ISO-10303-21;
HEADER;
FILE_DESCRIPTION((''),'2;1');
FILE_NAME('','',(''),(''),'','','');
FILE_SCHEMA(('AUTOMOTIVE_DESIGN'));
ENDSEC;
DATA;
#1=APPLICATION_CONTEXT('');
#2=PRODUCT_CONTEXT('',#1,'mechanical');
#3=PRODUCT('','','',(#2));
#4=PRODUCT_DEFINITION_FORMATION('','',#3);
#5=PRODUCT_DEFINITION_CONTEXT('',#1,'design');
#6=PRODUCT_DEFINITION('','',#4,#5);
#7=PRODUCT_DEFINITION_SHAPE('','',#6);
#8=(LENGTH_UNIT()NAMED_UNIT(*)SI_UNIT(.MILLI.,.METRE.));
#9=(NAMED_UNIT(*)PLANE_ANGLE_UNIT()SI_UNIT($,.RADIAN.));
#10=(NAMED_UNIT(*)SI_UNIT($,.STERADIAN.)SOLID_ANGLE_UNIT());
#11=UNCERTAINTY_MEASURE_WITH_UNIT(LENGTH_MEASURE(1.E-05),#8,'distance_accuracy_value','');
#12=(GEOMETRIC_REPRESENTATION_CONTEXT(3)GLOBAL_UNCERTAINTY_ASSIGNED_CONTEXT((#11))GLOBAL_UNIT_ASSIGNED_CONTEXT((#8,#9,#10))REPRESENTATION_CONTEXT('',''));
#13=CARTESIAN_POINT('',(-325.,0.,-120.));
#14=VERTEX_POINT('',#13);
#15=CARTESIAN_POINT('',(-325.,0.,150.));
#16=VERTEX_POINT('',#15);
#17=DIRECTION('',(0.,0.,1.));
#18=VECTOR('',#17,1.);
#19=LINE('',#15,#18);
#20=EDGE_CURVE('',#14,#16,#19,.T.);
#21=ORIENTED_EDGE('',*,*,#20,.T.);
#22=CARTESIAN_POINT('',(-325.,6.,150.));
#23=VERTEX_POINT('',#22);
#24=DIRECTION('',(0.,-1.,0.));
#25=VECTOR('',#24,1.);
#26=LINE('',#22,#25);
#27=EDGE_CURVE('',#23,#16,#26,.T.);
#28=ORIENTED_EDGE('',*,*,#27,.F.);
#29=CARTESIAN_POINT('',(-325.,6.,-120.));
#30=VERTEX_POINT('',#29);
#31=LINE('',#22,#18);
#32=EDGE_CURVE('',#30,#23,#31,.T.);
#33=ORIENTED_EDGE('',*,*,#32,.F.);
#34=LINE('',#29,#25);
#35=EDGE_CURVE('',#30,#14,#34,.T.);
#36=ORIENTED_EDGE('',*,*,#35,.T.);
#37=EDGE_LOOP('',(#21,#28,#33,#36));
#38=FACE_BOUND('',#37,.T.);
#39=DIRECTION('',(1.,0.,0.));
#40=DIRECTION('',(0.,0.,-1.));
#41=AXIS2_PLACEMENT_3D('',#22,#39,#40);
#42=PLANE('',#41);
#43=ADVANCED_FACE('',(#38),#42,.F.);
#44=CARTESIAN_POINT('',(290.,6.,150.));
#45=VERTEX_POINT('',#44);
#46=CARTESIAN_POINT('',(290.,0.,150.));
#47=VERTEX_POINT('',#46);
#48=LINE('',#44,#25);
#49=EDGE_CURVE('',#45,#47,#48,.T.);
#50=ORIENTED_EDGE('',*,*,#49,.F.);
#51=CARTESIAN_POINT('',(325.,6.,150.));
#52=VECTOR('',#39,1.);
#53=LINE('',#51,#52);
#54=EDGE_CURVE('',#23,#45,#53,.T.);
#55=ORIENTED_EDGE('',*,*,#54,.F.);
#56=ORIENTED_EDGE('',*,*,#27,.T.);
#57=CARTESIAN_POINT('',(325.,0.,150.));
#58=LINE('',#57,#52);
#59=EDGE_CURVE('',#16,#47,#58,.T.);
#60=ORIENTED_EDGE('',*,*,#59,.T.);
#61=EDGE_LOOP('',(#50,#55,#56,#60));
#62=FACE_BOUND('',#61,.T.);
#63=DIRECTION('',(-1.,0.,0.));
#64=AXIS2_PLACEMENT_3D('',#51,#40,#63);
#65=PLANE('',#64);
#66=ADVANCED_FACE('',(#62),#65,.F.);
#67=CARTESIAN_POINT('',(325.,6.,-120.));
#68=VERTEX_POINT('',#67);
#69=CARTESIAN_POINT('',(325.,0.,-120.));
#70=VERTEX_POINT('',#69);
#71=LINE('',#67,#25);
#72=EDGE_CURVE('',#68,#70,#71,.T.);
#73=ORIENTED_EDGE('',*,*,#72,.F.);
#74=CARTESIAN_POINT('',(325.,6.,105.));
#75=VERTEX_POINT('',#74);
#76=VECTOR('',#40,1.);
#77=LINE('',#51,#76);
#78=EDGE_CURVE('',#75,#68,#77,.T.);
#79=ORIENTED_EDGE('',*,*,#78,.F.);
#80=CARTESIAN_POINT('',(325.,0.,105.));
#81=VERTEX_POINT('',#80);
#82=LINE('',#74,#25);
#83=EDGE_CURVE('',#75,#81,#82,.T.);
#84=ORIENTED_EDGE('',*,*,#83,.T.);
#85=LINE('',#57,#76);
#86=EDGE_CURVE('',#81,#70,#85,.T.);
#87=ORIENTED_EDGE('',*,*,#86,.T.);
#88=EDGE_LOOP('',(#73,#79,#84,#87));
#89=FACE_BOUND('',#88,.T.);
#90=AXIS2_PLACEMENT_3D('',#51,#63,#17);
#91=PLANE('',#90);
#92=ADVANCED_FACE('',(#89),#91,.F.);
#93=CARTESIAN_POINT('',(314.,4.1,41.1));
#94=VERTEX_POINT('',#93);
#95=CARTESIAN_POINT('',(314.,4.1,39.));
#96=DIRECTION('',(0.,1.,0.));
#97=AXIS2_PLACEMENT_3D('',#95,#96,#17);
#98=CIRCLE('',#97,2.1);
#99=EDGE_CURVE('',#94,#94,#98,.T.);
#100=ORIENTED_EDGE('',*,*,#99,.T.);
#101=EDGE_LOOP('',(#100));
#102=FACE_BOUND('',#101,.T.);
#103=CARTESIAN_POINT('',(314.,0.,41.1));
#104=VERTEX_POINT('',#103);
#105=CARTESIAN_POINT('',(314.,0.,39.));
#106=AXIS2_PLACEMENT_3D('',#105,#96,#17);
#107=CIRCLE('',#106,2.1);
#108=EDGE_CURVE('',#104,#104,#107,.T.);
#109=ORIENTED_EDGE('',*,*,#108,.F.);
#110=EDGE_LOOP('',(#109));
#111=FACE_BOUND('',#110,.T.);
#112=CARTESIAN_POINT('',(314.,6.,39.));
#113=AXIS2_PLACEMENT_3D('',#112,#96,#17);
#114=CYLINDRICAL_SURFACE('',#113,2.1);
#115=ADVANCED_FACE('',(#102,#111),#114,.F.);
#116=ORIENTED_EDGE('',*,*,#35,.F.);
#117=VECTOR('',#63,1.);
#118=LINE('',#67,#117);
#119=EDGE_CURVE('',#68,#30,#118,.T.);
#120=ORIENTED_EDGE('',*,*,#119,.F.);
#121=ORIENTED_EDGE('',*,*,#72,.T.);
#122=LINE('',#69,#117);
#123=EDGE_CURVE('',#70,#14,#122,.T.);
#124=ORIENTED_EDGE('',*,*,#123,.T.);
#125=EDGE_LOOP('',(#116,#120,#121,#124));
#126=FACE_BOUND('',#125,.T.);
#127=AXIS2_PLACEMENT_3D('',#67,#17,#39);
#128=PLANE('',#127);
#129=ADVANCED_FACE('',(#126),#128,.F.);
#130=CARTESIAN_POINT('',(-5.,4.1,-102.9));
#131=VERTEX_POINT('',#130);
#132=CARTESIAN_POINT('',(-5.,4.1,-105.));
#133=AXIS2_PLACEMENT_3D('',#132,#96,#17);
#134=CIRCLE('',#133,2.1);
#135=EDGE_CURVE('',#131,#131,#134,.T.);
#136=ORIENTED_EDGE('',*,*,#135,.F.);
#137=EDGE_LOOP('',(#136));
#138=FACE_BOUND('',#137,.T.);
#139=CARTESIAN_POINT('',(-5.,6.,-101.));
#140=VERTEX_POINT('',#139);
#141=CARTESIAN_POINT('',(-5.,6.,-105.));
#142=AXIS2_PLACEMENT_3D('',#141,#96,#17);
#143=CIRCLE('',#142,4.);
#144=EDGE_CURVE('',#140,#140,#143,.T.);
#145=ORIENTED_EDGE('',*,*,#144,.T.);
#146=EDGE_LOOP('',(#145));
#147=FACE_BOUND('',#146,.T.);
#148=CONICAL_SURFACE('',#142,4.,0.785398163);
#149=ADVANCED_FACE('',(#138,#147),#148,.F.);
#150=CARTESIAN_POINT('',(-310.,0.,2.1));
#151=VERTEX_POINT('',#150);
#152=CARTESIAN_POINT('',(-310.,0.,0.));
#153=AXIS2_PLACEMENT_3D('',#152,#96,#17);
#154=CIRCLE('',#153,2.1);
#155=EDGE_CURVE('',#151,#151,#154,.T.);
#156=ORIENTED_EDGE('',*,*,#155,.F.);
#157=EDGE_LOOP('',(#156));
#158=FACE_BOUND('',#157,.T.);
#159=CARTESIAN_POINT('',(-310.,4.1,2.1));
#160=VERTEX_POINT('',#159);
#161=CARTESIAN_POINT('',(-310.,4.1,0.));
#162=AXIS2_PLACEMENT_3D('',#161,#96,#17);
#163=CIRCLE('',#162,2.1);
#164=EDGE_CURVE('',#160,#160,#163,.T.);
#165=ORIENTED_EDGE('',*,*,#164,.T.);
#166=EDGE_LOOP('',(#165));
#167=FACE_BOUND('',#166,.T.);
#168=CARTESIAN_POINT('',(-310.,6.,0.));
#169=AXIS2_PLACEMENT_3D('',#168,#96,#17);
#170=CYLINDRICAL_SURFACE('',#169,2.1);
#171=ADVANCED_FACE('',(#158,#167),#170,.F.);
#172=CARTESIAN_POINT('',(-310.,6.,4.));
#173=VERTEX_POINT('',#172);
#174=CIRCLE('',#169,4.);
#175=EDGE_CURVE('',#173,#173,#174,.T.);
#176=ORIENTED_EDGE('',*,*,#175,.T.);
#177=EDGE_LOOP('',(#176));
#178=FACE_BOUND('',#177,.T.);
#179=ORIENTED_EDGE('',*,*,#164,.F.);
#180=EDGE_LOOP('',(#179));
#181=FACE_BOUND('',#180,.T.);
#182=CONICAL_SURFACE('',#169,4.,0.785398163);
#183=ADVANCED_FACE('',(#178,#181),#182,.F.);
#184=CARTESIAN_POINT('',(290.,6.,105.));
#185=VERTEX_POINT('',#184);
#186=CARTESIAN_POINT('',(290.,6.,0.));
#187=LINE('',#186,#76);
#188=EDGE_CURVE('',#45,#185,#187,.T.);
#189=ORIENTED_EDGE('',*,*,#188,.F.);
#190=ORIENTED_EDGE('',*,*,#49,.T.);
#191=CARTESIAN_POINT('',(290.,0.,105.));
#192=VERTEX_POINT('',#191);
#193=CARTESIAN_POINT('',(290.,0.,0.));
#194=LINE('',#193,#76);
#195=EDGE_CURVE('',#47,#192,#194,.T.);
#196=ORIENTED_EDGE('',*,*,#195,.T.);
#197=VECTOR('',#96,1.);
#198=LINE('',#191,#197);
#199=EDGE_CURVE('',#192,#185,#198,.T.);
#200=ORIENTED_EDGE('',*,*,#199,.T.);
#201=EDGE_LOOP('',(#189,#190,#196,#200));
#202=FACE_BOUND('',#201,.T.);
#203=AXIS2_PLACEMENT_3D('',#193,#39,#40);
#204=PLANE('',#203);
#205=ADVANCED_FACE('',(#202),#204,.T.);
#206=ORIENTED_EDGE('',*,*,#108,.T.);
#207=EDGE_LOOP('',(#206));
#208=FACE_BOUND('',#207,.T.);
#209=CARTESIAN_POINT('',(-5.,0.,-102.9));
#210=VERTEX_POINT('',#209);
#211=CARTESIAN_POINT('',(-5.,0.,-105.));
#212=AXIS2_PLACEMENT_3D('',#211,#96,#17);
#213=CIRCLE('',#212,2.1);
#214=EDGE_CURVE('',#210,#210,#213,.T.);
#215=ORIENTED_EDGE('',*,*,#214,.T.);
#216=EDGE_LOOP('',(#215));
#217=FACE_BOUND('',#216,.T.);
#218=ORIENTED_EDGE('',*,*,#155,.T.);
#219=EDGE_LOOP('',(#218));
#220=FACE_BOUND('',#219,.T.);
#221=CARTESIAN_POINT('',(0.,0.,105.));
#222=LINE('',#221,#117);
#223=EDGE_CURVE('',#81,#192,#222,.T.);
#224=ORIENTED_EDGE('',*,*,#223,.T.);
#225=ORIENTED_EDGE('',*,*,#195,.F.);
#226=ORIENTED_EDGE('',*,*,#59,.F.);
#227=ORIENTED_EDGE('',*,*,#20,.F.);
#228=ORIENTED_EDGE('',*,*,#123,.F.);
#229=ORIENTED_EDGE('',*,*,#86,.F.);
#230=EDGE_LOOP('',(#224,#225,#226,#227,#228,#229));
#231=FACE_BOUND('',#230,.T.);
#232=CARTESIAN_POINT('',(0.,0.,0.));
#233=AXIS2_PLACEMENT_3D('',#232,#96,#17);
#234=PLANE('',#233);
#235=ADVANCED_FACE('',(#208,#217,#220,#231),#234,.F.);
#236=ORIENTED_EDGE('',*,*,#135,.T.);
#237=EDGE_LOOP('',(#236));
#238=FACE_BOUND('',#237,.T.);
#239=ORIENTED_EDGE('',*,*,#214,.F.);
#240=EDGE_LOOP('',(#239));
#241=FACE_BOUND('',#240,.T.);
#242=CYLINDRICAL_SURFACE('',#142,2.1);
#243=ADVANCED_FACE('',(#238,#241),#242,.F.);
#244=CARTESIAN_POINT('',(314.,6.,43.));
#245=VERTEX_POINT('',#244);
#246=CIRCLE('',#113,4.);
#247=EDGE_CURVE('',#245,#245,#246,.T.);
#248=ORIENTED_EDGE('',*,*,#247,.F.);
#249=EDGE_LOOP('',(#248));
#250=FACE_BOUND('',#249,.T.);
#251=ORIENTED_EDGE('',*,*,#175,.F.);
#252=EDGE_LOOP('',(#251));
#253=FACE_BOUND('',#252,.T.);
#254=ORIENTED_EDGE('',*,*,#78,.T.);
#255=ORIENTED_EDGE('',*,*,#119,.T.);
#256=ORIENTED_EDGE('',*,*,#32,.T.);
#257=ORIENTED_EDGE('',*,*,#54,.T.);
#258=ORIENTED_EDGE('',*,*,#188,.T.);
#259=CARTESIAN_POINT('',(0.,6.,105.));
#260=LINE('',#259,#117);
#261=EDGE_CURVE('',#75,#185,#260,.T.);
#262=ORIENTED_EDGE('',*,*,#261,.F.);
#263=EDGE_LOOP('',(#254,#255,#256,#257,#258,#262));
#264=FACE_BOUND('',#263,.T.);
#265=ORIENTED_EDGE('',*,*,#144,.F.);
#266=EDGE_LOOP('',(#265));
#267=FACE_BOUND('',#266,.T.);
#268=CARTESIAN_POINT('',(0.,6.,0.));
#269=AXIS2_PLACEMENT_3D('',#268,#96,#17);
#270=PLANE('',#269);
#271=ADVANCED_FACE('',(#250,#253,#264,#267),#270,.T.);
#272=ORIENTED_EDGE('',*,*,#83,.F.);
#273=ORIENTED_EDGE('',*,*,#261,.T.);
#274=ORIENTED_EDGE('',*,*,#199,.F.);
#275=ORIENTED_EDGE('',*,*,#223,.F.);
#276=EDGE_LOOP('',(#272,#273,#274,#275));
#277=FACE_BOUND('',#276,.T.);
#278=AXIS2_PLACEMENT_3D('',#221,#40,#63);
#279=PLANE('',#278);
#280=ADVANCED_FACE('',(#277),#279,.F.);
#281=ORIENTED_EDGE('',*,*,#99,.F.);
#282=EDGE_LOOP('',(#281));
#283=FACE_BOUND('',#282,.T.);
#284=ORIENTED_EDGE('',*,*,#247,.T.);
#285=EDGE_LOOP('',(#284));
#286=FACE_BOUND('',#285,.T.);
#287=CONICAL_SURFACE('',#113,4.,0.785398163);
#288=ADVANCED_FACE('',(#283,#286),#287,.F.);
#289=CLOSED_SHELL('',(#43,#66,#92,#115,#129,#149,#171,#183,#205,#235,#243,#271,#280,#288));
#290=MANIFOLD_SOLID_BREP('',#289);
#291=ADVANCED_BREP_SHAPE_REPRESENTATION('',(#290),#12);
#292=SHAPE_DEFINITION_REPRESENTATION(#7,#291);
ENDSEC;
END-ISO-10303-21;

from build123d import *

# Parameters (mm, degrees)
SKETCH1_W                                       = 650
SKETCH1_H                                       = 270
BOSS_EXTRUDE1_DEPTH                             = 6
SKETCH2_W                                       = 35
SKETCH2_H                                       = 45
CUT_EXTRUDE1_DEPTH                              = 358.995810031
CSK_FOR_M4_FLAT_HEAD_MACHINE_SCREW1_D           = 4.2
CSK_FOR_M4_FLAT_HEAD_MACHINE_SCREW1_CSINK_D     = 8
CSK_FOR_M4_FLAT_HEAD_MACHINE_SCREW1_CSINK_ANGLE = 90


with BuildPart() as part:
    # Sketch1 → Boss-Extrude1 (new body)
    with BuildSketch(Plane(origin=(0, 0, 0), x_dir=(1, 0, 0), z_dir=(0, 1, 0))):
        with Locations((0, -15)):
            Rectangle(SKETCH1_W, SKETCH1_H)
    extrude(amount=BOSS_EXTRUDE1_DEPTH)

    # Sketch2 → Cut-Extrude1 (cut, through all)
    with BuildSketch(Plane(origin=(0, 6, 0), x_dir=(1, 0, 0), z_dir=(0, 1, 0))):
        with Locations((307.5, -127.5)):
            Rectangle(SKETCH2_W, SKETCH2_H)
        Polygon((337.933434696, -105), (325, -105), (325, -150), (290, -150), (290, -185.199938578), (337.933434696, -185.199938578), align=None)
    extrude(amount=-CUT_EXTRUDE1_DEPTH, mode=Mode.SUBTRACT)

    # CSK for M4 Flat Head Machine Screw1 (through all)
    with Locations(Plane(origin=(0, 6, 0), x_dir=(1, 0, 0), z_dir=(0, 1, 0))):
        with Locations((-310, 0), (-5, 105), (314, -39)):
            CounterSinkHole(CSK_FOR_M4_FLAT_HEAD_MACHINE_SCREW1_D / 2, CSK_FOR_M4_FLAT_HEAD_MACHINE_SCREW1_CSINK_D / 2, counter_sink_angle=CSK_FOR_M4_FLAT_HEAD_MACHINE_SCREW1_CSINK_ANGLE)


solid = part.part
